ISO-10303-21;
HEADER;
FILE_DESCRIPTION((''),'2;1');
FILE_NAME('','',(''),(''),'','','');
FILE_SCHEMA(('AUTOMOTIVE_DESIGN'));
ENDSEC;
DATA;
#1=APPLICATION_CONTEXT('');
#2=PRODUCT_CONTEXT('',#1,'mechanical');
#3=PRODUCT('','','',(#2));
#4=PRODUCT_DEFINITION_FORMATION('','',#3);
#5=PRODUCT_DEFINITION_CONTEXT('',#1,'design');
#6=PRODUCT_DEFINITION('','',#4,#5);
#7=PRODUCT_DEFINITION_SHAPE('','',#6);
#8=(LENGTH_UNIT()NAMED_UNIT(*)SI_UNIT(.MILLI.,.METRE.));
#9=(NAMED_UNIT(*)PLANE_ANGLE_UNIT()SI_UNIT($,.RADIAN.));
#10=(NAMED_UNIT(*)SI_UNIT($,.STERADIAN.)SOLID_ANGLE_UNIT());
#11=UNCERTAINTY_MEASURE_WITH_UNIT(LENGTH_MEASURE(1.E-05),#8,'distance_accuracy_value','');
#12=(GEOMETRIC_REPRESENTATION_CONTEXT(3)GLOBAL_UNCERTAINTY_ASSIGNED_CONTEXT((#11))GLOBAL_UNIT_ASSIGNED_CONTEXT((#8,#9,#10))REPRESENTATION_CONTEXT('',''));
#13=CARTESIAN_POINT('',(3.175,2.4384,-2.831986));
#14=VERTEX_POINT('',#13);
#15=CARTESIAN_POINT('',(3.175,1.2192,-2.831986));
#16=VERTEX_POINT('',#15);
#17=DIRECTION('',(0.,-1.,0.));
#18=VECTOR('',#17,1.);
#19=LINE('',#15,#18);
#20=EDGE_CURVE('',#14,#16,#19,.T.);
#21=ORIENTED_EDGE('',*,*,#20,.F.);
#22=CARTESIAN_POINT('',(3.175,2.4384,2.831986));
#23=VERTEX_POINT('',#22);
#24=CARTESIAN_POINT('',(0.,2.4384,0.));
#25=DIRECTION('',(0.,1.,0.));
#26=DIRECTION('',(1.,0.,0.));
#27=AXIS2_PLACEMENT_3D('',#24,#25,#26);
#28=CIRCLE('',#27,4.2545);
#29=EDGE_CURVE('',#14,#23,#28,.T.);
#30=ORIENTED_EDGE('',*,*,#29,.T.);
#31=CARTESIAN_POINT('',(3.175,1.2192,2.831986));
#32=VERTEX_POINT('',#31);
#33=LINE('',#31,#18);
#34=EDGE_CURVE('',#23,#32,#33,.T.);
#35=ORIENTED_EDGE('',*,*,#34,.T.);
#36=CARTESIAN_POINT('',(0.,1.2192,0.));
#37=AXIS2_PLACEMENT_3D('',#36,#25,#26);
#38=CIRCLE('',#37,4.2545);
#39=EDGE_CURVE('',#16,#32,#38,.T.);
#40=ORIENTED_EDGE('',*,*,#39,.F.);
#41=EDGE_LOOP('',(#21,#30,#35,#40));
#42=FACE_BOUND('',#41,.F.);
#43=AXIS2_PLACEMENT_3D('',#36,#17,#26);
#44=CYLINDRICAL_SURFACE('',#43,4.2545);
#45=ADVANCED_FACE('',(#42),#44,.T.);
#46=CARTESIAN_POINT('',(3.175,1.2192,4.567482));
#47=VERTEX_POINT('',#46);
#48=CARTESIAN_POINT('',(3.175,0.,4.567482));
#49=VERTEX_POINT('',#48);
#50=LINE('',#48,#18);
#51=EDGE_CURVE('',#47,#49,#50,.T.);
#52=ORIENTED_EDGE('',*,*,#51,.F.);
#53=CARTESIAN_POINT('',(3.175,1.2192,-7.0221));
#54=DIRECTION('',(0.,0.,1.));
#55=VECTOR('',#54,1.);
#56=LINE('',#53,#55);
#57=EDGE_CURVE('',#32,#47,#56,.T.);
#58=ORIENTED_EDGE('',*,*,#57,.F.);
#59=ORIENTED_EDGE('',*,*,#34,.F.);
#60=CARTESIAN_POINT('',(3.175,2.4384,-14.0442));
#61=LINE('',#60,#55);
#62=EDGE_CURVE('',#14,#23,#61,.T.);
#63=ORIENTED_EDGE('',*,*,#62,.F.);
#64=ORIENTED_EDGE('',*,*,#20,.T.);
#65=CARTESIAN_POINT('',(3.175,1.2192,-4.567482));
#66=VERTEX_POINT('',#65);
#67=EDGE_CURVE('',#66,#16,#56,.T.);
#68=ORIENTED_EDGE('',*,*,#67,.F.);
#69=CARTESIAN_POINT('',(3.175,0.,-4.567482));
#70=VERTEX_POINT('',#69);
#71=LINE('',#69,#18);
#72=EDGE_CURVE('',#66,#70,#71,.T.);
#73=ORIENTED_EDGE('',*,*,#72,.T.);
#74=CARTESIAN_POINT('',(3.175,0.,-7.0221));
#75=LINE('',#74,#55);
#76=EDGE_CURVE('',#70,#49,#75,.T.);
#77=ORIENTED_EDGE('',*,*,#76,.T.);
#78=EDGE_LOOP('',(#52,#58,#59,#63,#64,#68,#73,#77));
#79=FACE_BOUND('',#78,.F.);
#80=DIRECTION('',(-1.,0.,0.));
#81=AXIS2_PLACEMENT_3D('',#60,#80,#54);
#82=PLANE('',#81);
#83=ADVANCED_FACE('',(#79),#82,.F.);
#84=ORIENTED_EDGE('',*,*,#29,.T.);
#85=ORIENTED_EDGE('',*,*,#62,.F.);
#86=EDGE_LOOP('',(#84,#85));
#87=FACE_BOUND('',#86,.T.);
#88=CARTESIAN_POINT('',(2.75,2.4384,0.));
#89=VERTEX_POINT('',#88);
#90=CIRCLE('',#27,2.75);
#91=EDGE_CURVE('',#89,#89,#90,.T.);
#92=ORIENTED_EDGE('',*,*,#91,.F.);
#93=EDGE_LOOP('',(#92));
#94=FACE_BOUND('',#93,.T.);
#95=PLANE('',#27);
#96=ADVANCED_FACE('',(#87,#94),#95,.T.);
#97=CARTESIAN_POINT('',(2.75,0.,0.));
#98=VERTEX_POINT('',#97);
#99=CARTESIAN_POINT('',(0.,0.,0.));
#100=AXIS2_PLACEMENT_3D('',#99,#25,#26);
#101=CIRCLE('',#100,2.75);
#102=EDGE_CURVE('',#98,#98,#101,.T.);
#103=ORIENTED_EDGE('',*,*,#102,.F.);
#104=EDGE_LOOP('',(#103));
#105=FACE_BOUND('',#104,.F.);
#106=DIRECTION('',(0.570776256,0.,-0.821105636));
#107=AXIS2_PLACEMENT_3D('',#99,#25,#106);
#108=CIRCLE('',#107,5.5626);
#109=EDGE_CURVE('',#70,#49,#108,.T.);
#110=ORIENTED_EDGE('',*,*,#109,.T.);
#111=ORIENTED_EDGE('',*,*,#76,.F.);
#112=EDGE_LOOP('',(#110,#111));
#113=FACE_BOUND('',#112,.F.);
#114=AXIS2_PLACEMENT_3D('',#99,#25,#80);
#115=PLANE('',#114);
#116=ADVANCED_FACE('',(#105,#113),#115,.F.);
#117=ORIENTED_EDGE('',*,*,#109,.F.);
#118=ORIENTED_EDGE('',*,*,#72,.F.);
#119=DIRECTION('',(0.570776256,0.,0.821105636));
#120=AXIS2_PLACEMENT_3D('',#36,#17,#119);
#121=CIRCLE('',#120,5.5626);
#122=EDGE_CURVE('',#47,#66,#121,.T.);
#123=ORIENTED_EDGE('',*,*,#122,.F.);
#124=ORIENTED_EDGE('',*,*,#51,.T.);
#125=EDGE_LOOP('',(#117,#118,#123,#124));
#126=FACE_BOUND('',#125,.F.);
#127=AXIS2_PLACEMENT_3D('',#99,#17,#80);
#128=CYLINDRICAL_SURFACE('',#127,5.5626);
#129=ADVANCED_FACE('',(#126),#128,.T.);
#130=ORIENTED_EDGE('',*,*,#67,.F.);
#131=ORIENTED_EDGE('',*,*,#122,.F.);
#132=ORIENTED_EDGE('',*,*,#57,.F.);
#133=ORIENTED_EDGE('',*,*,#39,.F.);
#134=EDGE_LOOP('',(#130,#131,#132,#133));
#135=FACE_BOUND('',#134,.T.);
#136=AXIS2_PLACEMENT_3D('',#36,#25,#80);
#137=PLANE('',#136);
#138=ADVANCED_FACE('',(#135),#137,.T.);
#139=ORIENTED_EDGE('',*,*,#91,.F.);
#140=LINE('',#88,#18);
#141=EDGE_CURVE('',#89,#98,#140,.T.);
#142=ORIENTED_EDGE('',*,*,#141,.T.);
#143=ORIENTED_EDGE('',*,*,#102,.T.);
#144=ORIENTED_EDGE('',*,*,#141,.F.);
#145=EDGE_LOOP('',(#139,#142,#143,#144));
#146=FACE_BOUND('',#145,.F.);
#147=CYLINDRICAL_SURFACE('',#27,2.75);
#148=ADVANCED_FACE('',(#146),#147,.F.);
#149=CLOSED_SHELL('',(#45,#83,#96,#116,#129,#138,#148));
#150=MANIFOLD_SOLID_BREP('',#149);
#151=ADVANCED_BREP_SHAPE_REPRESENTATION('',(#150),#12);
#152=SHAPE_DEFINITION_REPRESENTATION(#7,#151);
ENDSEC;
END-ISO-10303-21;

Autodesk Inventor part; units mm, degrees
ref_plane "YZ Plane" through (0, 0, 0) normal (1, 0, 0) x (0, 1, 0)
ref_plane "XZ Plane" through (0, 0, 0) normal (0, 1, 0) x (-1, 0, 0)
ref_plane "XY Plane" through (0, 0, 0) normal (0, 0, 1) x (1, 0, 0)
sketch "Sketch1" plane through (0, 0, 0) normal (0, 1, 0) x (-1, 0, 0)
  circle A0 centre (0, 0) radius 5.5626
  dimension "d0" = 11.1252
extrude "Extrusion1" add sketch "Sketch1" along normal blind 1.2192
sketch "Sketch2" plane through (0, 1.2192, 0) normal (0, 1, 0) x (1, 0, 0)
  circle A0 centre (0, 0) radius 4.2545
  dimension "d3" = 8.509
extrude "Extrusion2" add sketch "Sketch2" along normal blind 1.2192
sketch "Sketch3" plane through (0, 2.4384, 0) normal (0, 1, 0) x (1, 0, 0)
  circle A0 centre (0, 0) radius 2.75
  dimension "d6" = 5.5
extrude "Extrusion3" cut sketch "Sketch3" against normal blind 4.064
sketch "Sketch4" plane through (0, 2.4384, 0) normal (0, 1, 0) x (1, 0, 0)
  line L0 (15.9461, 14.0442) -> (3.175, 14.0442)
  line L1 (3.175, 14.0442) -> (3.175, -15.9032)
  line L2 (3.175, -15.9032) -> (15.9461, -15.9032)
  line L3 (15.9461, -15.9032) -> (15.9461, 14.0442)
  point P0 (0, 0)
  dimension "d9" = 3.175
extrude "Extrusion4" cut sketch "Sketch4" against normal blind 4.064
properties part number "Spring Clamp Small"
